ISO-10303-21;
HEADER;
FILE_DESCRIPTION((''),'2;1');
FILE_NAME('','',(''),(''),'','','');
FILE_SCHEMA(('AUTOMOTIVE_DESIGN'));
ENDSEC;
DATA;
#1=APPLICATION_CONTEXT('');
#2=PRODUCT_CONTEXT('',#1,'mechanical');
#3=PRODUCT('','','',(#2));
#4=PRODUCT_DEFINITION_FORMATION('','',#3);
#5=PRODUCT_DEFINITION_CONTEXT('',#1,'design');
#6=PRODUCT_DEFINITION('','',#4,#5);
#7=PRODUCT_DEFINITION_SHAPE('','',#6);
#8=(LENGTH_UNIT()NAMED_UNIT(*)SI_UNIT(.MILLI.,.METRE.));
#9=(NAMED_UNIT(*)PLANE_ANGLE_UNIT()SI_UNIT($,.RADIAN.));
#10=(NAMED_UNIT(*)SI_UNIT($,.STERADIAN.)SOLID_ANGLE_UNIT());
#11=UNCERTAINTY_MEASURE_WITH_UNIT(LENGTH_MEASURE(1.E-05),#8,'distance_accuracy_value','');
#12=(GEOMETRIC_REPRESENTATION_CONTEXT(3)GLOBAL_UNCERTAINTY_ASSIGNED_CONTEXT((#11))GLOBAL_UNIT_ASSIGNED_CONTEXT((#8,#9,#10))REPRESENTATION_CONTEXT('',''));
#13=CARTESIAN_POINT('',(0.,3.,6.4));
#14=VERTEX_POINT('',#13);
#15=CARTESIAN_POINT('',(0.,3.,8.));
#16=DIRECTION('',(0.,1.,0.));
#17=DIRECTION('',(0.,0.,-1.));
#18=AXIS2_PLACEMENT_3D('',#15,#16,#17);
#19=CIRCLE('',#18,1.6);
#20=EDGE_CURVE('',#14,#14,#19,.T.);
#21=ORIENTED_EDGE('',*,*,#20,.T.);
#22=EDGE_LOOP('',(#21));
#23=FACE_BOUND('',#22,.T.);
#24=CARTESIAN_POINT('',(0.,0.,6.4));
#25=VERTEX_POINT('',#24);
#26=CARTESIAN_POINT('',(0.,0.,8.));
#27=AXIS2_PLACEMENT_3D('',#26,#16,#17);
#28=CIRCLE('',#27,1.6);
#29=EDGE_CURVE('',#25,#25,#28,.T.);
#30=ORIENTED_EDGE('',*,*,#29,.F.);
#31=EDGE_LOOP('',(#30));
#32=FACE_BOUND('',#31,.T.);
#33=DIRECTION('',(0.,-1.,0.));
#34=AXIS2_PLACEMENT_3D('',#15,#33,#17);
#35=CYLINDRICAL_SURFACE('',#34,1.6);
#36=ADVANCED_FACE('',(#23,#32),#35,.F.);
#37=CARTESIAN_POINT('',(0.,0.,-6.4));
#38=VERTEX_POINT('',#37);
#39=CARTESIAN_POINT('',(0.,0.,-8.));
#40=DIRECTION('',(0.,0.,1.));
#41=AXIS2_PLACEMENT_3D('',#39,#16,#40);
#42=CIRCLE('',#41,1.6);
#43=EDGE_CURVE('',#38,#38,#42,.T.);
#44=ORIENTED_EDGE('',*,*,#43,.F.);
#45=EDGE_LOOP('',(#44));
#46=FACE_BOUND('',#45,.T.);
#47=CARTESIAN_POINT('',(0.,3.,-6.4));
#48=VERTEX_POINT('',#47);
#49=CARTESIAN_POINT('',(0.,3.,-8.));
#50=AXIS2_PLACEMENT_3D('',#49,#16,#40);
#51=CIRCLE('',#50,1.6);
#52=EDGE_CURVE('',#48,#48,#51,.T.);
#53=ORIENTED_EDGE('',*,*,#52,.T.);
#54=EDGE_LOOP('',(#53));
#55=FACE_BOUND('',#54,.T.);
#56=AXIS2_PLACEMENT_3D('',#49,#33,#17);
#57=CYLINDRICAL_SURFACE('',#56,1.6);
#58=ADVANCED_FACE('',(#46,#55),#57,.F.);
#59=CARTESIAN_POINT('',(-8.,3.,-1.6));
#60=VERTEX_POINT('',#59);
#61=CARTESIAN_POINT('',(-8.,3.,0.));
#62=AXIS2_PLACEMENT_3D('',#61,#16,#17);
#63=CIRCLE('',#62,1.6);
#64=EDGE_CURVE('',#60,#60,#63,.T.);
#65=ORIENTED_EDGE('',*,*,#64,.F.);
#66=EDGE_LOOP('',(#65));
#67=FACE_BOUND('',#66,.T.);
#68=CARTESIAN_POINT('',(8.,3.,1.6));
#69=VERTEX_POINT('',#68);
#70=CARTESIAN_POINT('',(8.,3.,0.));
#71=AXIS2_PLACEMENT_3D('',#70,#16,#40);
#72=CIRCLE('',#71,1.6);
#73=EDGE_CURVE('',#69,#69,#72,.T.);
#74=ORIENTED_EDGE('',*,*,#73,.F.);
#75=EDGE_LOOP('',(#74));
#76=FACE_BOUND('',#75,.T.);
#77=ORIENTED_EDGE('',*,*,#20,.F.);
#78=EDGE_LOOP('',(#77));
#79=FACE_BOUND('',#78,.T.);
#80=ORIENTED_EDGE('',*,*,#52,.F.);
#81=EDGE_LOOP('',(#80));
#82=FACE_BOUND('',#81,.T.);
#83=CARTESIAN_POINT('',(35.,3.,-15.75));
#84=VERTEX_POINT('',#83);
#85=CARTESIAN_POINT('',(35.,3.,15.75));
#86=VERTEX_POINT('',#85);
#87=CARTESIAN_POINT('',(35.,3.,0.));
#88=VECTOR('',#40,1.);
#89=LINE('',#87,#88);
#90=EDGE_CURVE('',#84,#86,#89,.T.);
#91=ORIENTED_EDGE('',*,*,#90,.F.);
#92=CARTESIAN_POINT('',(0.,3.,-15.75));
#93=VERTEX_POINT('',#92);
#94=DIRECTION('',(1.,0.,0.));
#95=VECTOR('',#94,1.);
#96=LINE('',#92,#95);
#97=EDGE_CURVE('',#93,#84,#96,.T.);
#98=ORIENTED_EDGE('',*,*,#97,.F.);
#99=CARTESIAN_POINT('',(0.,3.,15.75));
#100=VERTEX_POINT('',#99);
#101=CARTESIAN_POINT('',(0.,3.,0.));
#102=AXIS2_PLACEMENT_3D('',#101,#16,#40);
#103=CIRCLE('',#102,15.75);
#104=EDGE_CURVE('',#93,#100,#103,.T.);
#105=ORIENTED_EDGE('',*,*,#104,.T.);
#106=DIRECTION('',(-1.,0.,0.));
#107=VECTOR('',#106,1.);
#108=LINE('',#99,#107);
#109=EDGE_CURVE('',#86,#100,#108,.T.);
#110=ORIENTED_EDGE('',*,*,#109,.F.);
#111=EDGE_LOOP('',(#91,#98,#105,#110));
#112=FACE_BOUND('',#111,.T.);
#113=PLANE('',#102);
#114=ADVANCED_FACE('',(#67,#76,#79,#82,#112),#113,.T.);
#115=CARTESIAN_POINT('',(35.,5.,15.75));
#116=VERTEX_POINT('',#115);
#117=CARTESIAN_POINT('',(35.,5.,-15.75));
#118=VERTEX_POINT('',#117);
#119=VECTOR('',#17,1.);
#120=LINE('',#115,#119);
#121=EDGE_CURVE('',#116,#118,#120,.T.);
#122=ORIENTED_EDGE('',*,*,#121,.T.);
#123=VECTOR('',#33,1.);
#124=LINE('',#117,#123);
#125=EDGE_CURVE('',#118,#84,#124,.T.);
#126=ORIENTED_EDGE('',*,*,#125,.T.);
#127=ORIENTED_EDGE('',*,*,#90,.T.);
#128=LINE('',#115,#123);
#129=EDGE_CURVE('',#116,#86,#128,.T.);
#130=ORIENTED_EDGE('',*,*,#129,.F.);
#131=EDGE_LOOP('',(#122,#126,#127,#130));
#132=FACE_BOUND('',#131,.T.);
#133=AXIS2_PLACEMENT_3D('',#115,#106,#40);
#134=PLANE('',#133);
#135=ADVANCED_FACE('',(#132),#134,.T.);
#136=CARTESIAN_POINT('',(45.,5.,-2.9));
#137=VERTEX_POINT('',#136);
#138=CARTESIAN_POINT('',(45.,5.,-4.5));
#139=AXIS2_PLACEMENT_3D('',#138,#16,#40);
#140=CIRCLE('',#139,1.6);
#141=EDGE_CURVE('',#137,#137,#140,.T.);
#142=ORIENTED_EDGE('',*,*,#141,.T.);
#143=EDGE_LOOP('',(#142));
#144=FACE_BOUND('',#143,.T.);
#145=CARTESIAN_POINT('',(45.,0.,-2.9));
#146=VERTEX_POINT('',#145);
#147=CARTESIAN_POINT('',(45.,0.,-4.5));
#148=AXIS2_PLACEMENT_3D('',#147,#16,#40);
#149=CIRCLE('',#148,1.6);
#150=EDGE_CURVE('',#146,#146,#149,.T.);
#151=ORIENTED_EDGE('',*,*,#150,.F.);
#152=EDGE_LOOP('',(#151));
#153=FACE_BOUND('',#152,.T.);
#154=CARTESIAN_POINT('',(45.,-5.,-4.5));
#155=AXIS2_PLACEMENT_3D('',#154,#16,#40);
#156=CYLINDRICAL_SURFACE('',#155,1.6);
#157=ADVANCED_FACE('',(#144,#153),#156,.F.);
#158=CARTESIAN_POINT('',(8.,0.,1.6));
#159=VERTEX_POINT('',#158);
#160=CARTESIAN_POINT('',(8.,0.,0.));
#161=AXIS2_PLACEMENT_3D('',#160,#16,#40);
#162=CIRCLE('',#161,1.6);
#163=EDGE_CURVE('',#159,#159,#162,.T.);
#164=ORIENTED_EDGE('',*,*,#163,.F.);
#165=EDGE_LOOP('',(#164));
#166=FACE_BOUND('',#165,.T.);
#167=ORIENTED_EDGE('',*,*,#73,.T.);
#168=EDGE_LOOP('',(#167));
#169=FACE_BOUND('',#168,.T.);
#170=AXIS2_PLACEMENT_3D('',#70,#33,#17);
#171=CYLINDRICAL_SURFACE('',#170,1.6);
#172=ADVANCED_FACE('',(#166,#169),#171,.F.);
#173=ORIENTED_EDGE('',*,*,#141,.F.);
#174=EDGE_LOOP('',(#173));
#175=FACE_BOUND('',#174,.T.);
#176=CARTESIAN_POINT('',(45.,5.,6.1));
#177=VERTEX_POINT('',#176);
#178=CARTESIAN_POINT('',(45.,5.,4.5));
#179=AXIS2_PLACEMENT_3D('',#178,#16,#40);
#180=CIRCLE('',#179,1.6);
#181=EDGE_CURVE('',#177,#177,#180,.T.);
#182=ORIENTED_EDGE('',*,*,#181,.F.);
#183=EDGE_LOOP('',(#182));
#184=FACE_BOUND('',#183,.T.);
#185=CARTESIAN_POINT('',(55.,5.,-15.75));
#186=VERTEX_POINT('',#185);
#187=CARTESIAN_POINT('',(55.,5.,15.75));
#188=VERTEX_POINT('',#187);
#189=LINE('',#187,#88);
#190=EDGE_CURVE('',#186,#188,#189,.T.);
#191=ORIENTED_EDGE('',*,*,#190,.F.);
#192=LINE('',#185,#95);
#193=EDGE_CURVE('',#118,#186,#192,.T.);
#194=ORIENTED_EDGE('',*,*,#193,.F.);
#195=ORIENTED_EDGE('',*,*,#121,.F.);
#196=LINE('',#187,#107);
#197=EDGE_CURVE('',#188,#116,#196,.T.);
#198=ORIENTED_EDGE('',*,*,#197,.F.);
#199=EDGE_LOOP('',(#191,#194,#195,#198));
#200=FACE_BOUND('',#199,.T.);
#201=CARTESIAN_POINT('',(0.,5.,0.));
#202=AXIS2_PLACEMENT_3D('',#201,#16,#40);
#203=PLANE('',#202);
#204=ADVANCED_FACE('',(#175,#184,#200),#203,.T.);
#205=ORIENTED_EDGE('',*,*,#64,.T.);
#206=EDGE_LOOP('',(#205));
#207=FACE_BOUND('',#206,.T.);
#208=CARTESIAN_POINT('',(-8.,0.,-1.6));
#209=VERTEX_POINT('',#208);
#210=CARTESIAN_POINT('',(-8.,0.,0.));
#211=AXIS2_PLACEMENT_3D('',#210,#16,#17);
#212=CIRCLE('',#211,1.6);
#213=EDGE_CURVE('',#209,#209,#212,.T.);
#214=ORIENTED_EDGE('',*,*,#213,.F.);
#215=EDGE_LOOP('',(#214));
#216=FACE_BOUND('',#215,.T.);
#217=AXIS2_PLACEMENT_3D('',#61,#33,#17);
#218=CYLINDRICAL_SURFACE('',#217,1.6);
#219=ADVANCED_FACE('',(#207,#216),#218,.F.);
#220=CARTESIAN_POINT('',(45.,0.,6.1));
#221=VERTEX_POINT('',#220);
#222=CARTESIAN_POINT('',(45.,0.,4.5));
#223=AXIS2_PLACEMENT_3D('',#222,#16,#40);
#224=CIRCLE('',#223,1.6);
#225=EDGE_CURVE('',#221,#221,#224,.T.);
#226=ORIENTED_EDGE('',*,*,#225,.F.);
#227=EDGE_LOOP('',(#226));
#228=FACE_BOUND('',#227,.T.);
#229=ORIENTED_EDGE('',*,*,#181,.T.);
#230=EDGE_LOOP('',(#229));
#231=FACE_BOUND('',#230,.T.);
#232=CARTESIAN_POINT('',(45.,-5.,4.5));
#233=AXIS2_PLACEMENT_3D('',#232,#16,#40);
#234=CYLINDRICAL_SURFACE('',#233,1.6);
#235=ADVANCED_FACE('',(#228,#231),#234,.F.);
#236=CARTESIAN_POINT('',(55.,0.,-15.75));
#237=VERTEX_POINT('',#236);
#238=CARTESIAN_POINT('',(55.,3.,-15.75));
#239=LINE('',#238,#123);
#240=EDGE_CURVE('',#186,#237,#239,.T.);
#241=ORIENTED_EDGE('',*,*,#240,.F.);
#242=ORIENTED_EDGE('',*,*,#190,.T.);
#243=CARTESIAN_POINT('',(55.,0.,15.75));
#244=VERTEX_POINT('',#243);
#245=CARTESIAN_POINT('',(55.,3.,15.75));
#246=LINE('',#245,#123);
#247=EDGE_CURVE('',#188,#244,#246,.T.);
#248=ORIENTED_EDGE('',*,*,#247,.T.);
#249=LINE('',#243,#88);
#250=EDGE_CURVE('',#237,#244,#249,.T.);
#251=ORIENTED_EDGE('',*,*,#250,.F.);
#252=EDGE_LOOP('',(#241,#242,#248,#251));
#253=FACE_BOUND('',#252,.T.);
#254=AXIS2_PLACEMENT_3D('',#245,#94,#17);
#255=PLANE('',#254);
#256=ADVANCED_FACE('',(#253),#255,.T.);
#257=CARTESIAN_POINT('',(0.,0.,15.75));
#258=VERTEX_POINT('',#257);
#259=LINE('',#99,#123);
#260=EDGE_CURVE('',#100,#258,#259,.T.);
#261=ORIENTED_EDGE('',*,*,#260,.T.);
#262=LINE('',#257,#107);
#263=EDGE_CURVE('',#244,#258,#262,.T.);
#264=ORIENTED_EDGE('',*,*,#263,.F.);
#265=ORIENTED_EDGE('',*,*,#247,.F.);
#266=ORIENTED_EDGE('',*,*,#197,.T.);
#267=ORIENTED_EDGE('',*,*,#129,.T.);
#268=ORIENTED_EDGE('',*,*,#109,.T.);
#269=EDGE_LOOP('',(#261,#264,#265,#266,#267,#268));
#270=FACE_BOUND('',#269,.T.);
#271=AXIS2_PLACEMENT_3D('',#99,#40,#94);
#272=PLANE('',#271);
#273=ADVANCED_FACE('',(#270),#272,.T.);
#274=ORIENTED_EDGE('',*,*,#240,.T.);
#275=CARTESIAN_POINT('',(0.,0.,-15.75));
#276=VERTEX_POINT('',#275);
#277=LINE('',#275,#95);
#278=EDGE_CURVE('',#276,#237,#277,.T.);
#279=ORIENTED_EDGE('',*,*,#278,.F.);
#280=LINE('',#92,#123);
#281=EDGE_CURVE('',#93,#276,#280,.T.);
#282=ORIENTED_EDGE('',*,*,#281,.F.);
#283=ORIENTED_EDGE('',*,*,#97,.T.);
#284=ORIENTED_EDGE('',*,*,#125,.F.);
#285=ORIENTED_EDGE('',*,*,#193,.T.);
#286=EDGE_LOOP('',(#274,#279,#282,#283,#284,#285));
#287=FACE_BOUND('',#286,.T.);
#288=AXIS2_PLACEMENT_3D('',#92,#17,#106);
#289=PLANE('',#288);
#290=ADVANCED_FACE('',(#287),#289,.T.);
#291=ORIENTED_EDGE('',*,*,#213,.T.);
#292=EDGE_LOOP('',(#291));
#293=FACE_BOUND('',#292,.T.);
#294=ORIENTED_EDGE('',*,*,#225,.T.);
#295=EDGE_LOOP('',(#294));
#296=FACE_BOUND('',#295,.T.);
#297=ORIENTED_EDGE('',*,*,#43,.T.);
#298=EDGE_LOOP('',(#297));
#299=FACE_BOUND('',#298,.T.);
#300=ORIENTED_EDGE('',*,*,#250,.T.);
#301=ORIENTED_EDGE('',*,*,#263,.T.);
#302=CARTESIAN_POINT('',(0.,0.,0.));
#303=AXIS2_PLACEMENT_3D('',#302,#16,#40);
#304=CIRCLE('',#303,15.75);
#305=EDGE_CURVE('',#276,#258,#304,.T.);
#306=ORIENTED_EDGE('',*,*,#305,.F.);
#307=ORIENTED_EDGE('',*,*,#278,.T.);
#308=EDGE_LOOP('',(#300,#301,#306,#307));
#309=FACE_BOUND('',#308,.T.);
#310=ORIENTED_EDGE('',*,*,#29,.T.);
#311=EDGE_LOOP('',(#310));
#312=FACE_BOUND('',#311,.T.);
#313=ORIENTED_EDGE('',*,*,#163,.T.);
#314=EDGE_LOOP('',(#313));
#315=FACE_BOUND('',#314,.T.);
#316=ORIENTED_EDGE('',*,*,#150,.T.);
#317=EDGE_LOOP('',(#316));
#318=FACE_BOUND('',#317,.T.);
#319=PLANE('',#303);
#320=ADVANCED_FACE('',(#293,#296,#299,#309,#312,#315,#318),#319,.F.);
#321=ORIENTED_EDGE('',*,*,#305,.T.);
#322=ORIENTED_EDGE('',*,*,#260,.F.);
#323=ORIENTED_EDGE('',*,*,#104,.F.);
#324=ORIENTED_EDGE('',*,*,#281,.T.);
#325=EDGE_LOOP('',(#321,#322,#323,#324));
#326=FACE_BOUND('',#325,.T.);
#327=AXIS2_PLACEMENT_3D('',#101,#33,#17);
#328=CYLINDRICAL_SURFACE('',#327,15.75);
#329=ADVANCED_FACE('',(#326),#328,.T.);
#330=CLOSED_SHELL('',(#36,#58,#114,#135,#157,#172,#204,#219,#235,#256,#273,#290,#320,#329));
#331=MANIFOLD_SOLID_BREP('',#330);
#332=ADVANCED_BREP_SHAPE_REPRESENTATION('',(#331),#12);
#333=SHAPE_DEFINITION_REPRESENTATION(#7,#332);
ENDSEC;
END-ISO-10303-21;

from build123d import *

# Parameters (mm, degrees)
SKETCH_1_R          = 15.75
SKETCH_1_R_2        = 1.6
EXTRUDE_1_DEPTH     = 3
EXTRUDE_2_DEPTH     = 3
SKETCH_3_W          = 20
SKETCH_3_H          = 31.5
EXTRUDE_3_DEPTH     = 5
SKETCH_4_R          = 1.6
CUT_EXTRUDE_1_DEPTH = 10


with BuildPart() as part:
    # 草图1 → 凸台-拉伸1 (new body)
    with BuildSketch(Plane(origin=(0, 0, 0), x_dir=(1, 0, 0), z_dir=(0, 1, 0))):
        Circle(SKETCH_1_R)
        with Locations((0, 8)):
            Circle(SKETCH_1_R_2, mode=Mode.SUBTRACT)
        with Locations((8, 0)):
            Circle(SKETCH_1_R_2, mode=Mode.SUBTRACT)
        with Locations((0, -8)):
            Circle(SKETCH_1_R_2, mode=Mode.SUBTRACT)
        with Locations((-8, 0)):
            Circle(SKETCH_1_R_2, mode=Mode.SUBTRACT)
    extrude(amount=EXTRUDE_1_DEPTH)

    # 草图2 → 凸台-拉伸2 (add)
    with BuildSketch(Plane.XZ):
        with BuildLine():
            Line((0, 15.75), (55, 15.75))
            Line((55, 15.75), (55, -15.75))
            Line((55, -15.75), (0, -15.75))
            ThreePointArc((0, -15.75), (15.75, 0), (0, 15.75))
        make_face()
    extrude(amount=-EXTRUDE_2_DEPTH)

    # 草图3 → 凸台-拉伸3 (add)
    with BuildSketch(Plane.XZ):
        with Locations((45, 0)):
            Rectangle(SKETCH_3_W, SKETCH_3_H)
    extrude(amount=-EXTRUDE_3_DEPTH)

    # 草图4 → 切除-拉伸1 (cut)
    with BuildSketch(Plane(origin=(0, 5, 0), x_dir=(1, 0, 0), z_dir=(0, 1, 0))):
        with Locations((45, 4.5)):
            Circle(SKETCH_4_R)
        with Locations((45, -4.5)):
            Circle(SKETCH_4_R)
    extrude(amount=-CUT_EXTRUDE_1_DEPTH, mode=Mode.SUBTRACT)


solid = part.part
